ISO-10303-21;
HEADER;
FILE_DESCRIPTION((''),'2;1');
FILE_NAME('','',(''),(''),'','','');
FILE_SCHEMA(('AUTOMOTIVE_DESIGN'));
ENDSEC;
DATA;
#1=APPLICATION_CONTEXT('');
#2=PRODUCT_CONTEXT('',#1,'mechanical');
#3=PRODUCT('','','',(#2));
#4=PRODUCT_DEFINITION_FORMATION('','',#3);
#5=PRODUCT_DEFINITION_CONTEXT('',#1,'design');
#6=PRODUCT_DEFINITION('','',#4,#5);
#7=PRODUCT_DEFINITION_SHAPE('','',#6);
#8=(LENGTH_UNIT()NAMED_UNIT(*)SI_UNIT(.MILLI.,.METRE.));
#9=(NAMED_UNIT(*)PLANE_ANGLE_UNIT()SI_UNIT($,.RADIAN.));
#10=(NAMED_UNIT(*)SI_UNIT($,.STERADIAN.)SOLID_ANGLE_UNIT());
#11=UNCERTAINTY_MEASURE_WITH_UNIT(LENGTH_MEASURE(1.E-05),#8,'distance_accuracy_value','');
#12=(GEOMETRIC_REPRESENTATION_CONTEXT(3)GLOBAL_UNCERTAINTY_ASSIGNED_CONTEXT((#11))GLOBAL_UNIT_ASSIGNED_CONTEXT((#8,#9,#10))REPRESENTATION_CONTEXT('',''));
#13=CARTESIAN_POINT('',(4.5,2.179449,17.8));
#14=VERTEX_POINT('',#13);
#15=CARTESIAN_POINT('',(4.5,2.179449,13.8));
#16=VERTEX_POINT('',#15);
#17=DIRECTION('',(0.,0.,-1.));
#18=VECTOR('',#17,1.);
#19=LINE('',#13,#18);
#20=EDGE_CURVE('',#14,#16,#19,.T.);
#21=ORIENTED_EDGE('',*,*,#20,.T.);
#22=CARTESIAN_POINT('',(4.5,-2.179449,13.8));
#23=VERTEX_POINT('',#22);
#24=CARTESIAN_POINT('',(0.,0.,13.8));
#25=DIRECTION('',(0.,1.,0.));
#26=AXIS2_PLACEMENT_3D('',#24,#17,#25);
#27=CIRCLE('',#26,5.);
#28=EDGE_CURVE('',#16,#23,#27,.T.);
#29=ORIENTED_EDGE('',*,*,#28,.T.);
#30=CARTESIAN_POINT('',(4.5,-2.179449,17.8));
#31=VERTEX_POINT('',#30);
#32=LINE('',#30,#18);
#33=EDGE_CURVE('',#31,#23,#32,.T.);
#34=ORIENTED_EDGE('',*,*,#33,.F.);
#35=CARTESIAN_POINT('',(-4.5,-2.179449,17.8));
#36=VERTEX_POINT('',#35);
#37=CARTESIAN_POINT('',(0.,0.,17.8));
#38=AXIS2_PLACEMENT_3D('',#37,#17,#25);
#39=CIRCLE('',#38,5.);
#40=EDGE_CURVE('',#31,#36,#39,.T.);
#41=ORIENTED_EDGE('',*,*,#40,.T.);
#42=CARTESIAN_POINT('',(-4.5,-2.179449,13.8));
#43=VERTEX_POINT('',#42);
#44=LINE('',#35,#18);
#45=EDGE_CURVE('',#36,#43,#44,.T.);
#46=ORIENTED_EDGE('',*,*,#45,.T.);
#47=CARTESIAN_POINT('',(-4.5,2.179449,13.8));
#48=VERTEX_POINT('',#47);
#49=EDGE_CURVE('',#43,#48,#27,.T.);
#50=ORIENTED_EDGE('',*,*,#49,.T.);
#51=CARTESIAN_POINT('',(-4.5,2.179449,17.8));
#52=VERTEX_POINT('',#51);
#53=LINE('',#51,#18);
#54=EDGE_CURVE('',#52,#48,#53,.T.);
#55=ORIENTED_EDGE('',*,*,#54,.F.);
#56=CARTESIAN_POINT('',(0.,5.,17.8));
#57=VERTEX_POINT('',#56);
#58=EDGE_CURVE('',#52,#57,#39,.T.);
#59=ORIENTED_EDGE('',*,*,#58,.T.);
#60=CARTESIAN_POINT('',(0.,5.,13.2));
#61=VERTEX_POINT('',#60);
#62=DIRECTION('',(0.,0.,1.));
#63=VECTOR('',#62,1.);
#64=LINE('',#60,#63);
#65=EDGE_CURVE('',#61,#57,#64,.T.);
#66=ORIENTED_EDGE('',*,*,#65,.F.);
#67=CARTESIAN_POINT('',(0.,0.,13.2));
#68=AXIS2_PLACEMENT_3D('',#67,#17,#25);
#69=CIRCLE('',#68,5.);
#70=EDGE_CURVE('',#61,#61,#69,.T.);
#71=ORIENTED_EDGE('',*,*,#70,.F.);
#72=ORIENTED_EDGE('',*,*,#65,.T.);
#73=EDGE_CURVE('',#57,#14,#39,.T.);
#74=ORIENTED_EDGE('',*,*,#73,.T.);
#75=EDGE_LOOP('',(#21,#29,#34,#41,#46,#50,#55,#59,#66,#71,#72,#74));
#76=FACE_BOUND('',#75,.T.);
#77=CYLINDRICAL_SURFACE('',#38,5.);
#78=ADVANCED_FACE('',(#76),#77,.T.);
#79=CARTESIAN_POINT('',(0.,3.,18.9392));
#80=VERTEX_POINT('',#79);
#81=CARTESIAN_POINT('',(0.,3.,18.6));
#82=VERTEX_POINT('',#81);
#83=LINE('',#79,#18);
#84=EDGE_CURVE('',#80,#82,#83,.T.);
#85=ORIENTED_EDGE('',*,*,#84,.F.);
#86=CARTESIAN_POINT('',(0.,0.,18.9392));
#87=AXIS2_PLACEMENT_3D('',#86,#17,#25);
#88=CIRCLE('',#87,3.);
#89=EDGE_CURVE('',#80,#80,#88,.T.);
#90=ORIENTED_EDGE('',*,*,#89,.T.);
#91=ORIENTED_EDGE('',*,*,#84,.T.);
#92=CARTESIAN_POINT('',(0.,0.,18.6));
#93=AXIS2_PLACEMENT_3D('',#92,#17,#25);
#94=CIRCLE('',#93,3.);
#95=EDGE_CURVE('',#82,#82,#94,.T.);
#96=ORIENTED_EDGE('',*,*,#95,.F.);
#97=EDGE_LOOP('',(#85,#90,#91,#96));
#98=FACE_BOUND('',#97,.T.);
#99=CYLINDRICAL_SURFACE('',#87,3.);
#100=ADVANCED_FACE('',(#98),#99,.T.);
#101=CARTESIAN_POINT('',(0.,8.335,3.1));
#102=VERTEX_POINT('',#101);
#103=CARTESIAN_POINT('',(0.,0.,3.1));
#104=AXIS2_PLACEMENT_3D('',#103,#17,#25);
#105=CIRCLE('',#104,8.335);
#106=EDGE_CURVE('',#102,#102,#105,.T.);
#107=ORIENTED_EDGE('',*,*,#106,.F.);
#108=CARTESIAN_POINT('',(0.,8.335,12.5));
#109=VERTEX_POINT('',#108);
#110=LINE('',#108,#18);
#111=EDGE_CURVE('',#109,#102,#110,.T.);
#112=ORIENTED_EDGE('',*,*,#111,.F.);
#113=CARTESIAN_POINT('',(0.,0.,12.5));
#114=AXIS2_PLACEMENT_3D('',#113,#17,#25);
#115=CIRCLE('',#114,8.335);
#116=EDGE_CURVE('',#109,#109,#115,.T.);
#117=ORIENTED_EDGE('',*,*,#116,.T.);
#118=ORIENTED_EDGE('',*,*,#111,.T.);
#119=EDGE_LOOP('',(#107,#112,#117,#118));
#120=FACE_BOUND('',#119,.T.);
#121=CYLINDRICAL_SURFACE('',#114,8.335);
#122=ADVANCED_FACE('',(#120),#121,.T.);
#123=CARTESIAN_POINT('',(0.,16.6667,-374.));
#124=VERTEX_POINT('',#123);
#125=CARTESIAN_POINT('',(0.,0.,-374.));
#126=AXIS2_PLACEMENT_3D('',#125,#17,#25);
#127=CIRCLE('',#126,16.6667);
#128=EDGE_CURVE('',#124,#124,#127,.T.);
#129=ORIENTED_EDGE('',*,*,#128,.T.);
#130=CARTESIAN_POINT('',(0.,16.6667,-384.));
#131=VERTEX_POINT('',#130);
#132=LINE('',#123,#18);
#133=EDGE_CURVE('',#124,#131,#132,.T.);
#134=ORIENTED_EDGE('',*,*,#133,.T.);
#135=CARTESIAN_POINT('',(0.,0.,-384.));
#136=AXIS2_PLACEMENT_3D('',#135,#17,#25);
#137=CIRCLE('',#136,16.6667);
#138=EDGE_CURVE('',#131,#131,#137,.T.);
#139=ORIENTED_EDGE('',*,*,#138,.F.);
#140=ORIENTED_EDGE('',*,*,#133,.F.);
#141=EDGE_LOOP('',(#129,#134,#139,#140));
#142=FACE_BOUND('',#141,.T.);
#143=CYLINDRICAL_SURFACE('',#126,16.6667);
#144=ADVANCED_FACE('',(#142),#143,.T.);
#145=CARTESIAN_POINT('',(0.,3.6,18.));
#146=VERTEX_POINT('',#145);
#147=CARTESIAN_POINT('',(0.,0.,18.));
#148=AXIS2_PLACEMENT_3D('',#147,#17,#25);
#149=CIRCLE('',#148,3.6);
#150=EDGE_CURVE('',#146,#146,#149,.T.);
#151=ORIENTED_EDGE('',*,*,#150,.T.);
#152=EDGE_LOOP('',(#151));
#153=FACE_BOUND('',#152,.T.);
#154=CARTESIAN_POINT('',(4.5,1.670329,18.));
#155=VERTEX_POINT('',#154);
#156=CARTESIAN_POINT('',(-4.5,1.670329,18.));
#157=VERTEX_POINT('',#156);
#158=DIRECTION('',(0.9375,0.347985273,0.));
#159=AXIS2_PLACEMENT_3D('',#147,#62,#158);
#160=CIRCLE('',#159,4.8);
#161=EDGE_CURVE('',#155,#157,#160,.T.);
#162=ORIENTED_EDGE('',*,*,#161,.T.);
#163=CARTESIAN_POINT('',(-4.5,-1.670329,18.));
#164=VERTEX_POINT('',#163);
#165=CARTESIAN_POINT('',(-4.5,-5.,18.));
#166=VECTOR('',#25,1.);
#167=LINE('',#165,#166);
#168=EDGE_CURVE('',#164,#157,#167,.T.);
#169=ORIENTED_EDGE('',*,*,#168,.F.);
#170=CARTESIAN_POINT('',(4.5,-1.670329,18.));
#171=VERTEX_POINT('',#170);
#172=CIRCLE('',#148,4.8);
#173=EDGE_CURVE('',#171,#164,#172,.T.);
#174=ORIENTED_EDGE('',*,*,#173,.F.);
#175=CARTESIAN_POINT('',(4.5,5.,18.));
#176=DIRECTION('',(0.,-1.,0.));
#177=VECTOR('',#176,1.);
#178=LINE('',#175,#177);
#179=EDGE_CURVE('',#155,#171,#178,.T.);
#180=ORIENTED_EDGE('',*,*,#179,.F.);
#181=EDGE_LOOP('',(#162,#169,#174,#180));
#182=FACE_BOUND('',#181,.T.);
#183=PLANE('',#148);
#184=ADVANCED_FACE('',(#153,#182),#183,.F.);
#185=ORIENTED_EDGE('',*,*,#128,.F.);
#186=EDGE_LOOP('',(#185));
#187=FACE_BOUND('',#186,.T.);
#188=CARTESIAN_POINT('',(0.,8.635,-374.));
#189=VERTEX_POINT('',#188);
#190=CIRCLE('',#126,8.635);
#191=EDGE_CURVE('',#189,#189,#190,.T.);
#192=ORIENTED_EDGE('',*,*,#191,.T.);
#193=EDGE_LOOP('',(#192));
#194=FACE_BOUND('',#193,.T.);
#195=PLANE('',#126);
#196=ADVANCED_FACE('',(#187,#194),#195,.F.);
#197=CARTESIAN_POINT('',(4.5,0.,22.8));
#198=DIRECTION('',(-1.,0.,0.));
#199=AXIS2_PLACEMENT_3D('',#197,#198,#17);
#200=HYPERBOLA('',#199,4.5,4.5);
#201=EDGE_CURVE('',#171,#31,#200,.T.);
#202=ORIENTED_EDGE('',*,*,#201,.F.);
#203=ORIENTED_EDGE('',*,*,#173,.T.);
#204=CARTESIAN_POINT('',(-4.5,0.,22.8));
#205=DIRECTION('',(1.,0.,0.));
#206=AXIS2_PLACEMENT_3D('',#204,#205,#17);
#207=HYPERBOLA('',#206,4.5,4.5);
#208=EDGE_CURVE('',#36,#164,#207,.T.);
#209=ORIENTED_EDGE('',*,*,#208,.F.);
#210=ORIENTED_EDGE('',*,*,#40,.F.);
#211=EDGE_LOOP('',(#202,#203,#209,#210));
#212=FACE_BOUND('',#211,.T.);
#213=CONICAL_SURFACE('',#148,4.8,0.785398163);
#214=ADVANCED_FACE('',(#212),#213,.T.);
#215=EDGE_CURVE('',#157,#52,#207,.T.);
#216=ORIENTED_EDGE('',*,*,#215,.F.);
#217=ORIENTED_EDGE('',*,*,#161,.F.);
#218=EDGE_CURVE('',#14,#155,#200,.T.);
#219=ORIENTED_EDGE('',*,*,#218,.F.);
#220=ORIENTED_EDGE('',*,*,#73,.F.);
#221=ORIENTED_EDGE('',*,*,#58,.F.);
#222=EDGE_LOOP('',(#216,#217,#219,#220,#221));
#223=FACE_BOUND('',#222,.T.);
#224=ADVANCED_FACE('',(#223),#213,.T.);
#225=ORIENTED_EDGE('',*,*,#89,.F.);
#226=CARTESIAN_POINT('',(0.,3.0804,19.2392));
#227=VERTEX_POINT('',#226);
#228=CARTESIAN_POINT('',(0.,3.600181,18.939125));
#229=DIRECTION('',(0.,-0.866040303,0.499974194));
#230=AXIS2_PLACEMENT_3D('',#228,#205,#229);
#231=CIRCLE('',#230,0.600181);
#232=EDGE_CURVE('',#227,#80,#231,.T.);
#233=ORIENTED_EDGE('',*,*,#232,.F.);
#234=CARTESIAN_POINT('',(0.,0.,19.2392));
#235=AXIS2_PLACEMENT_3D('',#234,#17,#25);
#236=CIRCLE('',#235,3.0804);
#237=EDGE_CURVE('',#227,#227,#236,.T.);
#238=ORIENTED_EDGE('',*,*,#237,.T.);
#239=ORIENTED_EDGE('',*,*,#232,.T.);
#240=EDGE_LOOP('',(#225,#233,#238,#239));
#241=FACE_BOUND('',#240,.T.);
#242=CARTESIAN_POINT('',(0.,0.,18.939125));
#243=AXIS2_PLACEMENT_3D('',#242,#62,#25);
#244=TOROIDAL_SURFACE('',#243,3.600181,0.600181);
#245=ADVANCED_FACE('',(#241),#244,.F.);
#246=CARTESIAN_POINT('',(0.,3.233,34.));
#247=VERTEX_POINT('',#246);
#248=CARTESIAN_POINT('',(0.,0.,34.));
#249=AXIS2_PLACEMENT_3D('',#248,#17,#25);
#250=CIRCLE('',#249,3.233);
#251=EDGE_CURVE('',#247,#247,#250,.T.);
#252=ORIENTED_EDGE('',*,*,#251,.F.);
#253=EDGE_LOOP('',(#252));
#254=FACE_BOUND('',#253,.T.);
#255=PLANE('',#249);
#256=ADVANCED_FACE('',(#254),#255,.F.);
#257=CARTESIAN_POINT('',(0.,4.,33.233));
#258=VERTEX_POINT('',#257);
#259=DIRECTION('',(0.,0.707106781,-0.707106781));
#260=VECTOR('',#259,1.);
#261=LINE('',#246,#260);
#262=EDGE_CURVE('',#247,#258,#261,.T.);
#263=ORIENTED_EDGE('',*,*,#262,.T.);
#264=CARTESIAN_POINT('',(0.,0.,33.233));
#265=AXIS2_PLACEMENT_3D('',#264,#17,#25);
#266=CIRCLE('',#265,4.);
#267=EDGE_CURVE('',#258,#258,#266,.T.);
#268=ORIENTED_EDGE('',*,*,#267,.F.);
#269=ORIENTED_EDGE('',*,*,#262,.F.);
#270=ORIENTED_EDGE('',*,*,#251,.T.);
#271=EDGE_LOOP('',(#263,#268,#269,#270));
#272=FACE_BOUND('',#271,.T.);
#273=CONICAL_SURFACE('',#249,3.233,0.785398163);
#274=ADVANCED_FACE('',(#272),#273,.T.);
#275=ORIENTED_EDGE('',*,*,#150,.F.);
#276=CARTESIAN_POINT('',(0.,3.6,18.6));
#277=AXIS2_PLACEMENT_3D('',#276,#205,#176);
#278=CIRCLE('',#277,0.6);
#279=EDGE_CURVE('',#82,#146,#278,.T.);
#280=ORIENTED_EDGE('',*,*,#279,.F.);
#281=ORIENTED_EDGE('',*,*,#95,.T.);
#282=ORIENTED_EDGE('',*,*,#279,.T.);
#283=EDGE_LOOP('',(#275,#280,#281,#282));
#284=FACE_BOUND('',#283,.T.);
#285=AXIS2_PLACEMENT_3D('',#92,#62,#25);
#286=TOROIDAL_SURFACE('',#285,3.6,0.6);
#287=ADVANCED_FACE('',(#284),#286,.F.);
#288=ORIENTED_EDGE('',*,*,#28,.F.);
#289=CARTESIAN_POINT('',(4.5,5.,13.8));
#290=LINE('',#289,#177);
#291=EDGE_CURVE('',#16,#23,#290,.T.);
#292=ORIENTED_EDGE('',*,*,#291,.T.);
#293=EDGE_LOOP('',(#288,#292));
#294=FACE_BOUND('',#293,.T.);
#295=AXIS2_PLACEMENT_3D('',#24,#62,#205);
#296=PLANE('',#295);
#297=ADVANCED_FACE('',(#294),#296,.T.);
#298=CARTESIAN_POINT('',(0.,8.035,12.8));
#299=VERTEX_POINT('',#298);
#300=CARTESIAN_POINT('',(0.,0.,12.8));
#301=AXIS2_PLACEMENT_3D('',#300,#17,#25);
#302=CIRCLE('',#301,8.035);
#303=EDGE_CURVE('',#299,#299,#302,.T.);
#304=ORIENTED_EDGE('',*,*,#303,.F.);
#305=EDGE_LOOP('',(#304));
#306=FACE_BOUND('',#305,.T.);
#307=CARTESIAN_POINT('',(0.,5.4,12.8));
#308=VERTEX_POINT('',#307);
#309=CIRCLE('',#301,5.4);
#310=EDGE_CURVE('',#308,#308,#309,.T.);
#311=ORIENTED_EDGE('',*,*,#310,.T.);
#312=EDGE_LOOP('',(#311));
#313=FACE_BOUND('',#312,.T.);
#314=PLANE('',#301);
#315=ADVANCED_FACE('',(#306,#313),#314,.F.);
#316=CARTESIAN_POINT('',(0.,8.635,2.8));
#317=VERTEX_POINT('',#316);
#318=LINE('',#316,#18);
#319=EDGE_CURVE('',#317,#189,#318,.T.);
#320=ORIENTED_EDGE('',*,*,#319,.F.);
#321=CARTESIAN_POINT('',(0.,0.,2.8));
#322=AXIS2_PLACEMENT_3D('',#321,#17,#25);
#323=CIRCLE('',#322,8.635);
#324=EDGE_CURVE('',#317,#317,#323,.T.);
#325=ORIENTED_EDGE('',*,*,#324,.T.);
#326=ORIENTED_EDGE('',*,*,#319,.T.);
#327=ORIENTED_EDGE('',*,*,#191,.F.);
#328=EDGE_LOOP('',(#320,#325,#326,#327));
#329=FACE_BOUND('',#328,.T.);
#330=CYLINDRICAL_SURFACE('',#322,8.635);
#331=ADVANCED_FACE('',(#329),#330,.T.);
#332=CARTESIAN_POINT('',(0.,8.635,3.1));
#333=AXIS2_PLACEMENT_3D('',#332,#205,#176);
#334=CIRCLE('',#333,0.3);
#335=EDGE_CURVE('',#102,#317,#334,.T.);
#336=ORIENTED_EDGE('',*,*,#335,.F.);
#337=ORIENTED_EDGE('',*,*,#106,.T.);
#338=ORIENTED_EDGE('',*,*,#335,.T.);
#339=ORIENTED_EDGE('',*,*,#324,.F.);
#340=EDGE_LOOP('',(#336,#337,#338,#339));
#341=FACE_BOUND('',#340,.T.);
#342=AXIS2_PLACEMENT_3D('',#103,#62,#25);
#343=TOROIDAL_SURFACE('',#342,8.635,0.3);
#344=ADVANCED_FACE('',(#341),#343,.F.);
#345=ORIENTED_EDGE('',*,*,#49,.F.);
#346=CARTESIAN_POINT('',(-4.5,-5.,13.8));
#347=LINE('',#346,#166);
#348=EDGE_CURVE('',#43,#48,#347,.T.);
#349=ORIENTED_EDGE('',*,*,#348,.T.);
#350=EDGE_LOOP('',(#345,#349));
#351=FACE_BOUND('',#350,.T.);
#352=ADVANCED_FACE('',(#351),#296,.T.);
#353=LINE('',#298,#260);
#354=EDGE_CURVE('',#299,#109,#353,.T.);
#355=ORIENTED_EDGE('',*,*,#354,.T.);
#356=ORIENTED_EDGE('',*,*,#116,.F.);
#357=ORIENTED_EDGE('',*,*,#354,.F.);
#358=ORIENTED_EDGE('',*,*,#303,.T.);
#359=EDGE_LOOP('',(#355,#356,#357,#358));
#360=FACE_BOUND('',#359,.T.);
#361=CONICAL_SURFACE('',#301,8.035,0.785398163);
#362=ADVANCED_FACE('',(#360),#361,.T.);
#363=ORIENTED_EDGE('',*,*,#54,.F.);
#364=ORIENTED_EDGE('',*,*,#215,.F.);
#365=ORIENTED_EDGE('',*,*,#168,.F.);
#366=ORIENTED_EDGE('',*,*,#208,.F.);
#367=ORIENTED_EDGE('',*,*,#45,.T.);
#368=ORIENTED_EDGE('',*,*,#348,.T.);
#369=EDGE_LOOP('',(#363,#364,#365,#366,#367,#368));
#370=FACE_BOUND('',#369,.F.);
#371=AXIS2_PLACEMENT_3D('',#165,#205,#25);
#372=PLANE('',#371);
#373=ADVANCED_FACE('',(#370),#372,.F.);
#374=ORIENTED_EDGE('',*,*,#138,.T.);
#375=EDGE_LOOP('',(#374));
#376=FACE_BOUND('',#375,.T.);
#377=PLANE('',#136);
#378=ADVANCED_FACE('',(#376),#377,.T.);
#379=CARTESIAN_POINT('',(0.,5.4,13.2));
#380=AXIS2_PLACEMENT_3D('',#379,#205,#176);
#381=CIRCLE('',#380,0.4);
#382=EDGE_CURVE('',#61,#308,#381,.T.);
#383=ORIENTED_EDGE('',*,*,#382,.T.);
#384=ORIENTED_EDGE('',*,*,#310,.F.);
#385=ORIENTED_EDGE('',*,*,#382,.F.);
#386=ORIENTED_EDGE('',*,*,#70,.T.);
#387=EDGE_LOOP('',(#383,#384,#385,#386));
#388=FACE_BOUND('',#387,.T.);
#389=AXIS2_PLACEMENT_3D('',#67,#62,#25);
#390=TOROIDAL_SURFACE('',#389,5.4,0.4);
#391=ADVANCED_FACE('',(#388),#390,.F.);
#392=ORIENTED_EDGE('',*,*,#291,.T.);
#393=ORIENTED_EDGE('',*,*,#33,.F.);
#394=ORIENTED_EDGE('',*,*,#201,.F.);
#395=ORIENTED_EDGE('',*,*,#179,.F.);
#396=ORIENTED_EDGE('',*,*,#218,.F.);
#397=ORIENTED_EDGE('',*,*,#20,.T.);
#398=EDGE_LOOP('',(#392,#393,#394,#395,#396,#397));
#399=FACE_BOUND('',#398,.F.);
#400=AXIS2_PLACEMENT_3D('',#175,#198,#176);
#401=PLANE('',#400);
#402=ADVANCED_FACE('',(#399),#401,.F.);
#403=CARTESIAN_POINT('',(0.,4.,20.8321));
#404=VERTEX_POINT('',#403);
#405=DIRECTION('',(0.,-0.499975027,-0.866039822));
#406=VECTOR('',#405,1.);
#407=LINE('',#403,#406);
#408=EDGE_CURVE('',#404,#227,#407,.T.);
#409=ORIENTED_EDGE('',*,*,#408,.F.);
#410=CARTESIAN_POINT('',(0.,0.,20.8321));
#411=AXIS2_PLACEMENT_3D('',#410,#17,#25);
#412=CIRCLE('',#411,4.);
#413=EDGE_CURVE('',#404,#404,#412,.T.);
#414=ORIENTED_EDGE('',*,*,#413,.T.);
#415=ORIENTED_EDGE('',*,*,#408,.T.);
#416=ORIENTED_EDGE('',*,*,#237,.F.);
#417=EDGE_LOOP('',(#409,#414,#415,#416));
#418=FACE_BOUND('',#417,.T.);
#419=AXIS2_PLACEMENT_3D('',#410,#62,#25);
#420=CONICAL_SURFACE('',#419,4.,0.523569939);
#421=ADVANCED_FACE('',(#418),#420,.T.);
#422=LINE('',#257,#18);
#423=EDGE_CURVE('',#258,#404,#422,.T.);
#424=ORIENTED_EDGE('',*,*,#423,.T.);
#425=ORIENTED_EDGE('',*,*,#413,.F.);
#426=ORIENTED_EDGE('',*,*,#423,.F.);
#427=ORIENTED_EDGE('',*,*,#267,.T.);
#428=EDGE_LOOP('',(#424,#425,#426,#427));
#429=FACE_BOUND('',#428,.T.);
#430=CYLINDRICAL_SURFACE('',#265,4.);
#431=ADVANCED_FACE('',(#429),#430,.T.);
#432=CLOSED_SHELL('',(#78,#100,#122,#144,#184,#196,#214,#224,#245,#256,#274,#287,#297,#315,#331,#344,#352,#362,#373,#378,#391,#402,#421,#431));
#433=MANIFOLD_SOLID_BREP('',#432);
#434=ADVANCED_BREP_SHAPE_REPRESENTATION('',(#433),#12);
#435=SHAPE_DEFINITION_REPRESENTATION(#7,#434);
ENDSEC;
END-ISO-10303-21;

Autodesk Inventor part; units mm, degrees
sketch "Sketch_1" plane through (0, 0, 0) normal (1, 0, 0) x (0, 1, 0)
  line L0 (0, -384) -> (0, 18)
  line L1 (0, 18) -> (4.8, 18)
  line L2 (4.8, 18) -> (5, 17.8)
  line L3 (5, 17.8) -> (5, 13.2)
  arc A0 (5, 13.2) -> (5.4, 12.8) centre (5.4, 13.2) ccw
  line L4 (5.4, 12.8) -> (8.035, 12.8)
  line L5 (8.035, 12.8) -> (8.335, 12.5)
  line L6 (8.335, 12.5) -> (8.335, 3.1)
  arc A1 (8.335, 3.1) -> (8.635, 2.8) centre (8.635, 3.1) ccw
  line L7 (8.635, 2.8) -> (8.635, -374)
  line L8 (8.635, -374) -> (16.6667, -374)
  line L9 (16.6667, -374) -> (16.6667, -384)
  line L10 (16.6667, -384) -> (0, -384)
  line L11 (0, -384) -> (0, 18)
revolve "Revolution1" add sketch "Sketch_1" angle 360 about axis through (0, 0, -384) along (0, 0, -1)
sketch "Sketch_3" plane through (0, 0, 0) normal (1, 0, 0) x (0, 1, 0)
  line L0 (0, 18) -> (0, 34)
  line L1 (0, 34) -> (3.233, 34)
  line L2 (3.233, 34) -> (4, 33.233)
  line L3 (4, 33.233) -> (4, 20.8321)
  line L4 (4, 20.8321) -> (3.0804, 19.2392)
  arc A0 (3.0804, 19.2392) -> (3, 18.9392) centre (3.6, 18.9392) ccw
  line L5 (3, 18.9392) -> (3, 18.6)
  arc A1 (3, 18.6) -> (3.6, 18) centre (3.6, 18.6) ccw
  line L6 (3.6, 18) -> (0, 18)
  line L7 (0, 18) -> (0, 34)
revolve "Revolution2" add sketch "Sketch_3" angle 360 about axis through (0, 0, 18) along (0, 0, -1)
thread "Thread1" size "M8x1.25" class "6g" standard "ISO Metric profile" full length
sketch "Sketch_2" plane through (0, 0, 18) normal (0, 0, 1) x (1, 0, 0)
  line L0 (-6.5, 7) -> (-6.5, -5)
  line L1 (-6.5, -5) -> (-4.5, -5)
  line L2 (-4.5, -5) -> (-4.5, 5)
  line L3 (-4.5, 5) -> (4.5, 5)
  line L4 (4.5, 5) -> (4.5, -5)
  line L5 (4.5, -5) -> (6.5, -5)
  line L6 (6.5, -5) -> (6.5, 7)
  line L7 (6.5, 7) -> (-6.5, 7)
extrude "Extrusion1" cut sketch "Sketch_2" against normal blind 4.2
ref_plane "EAGF_XY" through (0, 0, 18) normal (0, 0, -1) x (1, 0, 0)
ref_plane "EAGF_YZ" through (0, 0, 18) normal (1, 0, 0) x (0, -1, 0)
ref_plane "EAGF_ZX" through (0, 0, 18) normal (0, -1, 0) x (0, 0, -1)
ref_plane "EPCO_KS_XY" through (0, 0, 0) normal (0, 0, -1) x (1, 0, 0)
ref_plane "EPCO_KS_YZ" through (0, 0, 0) normal (1, 0, 0) x (0, -1, 0)
ref_plane "EPCO_KS_ZX" through (0, 0, 0) normal (0, -1, 0) x (0, 0, -1)
ref_plane "NUT_XY" through (0, 0, 26) normal (0, 0, -1) x (1, 0, 0)
ref_plane "NUT_YZ" through (0, 0, 26) normal (1, 0, 0) x (0, -1, 0)
ref_plane "NUT_ZX" through (0, 0, 26) normal (0, -1, 0) x (0, 0, -1)
properties part number "1470874 EPCO-25-300_k---(1_0)"
